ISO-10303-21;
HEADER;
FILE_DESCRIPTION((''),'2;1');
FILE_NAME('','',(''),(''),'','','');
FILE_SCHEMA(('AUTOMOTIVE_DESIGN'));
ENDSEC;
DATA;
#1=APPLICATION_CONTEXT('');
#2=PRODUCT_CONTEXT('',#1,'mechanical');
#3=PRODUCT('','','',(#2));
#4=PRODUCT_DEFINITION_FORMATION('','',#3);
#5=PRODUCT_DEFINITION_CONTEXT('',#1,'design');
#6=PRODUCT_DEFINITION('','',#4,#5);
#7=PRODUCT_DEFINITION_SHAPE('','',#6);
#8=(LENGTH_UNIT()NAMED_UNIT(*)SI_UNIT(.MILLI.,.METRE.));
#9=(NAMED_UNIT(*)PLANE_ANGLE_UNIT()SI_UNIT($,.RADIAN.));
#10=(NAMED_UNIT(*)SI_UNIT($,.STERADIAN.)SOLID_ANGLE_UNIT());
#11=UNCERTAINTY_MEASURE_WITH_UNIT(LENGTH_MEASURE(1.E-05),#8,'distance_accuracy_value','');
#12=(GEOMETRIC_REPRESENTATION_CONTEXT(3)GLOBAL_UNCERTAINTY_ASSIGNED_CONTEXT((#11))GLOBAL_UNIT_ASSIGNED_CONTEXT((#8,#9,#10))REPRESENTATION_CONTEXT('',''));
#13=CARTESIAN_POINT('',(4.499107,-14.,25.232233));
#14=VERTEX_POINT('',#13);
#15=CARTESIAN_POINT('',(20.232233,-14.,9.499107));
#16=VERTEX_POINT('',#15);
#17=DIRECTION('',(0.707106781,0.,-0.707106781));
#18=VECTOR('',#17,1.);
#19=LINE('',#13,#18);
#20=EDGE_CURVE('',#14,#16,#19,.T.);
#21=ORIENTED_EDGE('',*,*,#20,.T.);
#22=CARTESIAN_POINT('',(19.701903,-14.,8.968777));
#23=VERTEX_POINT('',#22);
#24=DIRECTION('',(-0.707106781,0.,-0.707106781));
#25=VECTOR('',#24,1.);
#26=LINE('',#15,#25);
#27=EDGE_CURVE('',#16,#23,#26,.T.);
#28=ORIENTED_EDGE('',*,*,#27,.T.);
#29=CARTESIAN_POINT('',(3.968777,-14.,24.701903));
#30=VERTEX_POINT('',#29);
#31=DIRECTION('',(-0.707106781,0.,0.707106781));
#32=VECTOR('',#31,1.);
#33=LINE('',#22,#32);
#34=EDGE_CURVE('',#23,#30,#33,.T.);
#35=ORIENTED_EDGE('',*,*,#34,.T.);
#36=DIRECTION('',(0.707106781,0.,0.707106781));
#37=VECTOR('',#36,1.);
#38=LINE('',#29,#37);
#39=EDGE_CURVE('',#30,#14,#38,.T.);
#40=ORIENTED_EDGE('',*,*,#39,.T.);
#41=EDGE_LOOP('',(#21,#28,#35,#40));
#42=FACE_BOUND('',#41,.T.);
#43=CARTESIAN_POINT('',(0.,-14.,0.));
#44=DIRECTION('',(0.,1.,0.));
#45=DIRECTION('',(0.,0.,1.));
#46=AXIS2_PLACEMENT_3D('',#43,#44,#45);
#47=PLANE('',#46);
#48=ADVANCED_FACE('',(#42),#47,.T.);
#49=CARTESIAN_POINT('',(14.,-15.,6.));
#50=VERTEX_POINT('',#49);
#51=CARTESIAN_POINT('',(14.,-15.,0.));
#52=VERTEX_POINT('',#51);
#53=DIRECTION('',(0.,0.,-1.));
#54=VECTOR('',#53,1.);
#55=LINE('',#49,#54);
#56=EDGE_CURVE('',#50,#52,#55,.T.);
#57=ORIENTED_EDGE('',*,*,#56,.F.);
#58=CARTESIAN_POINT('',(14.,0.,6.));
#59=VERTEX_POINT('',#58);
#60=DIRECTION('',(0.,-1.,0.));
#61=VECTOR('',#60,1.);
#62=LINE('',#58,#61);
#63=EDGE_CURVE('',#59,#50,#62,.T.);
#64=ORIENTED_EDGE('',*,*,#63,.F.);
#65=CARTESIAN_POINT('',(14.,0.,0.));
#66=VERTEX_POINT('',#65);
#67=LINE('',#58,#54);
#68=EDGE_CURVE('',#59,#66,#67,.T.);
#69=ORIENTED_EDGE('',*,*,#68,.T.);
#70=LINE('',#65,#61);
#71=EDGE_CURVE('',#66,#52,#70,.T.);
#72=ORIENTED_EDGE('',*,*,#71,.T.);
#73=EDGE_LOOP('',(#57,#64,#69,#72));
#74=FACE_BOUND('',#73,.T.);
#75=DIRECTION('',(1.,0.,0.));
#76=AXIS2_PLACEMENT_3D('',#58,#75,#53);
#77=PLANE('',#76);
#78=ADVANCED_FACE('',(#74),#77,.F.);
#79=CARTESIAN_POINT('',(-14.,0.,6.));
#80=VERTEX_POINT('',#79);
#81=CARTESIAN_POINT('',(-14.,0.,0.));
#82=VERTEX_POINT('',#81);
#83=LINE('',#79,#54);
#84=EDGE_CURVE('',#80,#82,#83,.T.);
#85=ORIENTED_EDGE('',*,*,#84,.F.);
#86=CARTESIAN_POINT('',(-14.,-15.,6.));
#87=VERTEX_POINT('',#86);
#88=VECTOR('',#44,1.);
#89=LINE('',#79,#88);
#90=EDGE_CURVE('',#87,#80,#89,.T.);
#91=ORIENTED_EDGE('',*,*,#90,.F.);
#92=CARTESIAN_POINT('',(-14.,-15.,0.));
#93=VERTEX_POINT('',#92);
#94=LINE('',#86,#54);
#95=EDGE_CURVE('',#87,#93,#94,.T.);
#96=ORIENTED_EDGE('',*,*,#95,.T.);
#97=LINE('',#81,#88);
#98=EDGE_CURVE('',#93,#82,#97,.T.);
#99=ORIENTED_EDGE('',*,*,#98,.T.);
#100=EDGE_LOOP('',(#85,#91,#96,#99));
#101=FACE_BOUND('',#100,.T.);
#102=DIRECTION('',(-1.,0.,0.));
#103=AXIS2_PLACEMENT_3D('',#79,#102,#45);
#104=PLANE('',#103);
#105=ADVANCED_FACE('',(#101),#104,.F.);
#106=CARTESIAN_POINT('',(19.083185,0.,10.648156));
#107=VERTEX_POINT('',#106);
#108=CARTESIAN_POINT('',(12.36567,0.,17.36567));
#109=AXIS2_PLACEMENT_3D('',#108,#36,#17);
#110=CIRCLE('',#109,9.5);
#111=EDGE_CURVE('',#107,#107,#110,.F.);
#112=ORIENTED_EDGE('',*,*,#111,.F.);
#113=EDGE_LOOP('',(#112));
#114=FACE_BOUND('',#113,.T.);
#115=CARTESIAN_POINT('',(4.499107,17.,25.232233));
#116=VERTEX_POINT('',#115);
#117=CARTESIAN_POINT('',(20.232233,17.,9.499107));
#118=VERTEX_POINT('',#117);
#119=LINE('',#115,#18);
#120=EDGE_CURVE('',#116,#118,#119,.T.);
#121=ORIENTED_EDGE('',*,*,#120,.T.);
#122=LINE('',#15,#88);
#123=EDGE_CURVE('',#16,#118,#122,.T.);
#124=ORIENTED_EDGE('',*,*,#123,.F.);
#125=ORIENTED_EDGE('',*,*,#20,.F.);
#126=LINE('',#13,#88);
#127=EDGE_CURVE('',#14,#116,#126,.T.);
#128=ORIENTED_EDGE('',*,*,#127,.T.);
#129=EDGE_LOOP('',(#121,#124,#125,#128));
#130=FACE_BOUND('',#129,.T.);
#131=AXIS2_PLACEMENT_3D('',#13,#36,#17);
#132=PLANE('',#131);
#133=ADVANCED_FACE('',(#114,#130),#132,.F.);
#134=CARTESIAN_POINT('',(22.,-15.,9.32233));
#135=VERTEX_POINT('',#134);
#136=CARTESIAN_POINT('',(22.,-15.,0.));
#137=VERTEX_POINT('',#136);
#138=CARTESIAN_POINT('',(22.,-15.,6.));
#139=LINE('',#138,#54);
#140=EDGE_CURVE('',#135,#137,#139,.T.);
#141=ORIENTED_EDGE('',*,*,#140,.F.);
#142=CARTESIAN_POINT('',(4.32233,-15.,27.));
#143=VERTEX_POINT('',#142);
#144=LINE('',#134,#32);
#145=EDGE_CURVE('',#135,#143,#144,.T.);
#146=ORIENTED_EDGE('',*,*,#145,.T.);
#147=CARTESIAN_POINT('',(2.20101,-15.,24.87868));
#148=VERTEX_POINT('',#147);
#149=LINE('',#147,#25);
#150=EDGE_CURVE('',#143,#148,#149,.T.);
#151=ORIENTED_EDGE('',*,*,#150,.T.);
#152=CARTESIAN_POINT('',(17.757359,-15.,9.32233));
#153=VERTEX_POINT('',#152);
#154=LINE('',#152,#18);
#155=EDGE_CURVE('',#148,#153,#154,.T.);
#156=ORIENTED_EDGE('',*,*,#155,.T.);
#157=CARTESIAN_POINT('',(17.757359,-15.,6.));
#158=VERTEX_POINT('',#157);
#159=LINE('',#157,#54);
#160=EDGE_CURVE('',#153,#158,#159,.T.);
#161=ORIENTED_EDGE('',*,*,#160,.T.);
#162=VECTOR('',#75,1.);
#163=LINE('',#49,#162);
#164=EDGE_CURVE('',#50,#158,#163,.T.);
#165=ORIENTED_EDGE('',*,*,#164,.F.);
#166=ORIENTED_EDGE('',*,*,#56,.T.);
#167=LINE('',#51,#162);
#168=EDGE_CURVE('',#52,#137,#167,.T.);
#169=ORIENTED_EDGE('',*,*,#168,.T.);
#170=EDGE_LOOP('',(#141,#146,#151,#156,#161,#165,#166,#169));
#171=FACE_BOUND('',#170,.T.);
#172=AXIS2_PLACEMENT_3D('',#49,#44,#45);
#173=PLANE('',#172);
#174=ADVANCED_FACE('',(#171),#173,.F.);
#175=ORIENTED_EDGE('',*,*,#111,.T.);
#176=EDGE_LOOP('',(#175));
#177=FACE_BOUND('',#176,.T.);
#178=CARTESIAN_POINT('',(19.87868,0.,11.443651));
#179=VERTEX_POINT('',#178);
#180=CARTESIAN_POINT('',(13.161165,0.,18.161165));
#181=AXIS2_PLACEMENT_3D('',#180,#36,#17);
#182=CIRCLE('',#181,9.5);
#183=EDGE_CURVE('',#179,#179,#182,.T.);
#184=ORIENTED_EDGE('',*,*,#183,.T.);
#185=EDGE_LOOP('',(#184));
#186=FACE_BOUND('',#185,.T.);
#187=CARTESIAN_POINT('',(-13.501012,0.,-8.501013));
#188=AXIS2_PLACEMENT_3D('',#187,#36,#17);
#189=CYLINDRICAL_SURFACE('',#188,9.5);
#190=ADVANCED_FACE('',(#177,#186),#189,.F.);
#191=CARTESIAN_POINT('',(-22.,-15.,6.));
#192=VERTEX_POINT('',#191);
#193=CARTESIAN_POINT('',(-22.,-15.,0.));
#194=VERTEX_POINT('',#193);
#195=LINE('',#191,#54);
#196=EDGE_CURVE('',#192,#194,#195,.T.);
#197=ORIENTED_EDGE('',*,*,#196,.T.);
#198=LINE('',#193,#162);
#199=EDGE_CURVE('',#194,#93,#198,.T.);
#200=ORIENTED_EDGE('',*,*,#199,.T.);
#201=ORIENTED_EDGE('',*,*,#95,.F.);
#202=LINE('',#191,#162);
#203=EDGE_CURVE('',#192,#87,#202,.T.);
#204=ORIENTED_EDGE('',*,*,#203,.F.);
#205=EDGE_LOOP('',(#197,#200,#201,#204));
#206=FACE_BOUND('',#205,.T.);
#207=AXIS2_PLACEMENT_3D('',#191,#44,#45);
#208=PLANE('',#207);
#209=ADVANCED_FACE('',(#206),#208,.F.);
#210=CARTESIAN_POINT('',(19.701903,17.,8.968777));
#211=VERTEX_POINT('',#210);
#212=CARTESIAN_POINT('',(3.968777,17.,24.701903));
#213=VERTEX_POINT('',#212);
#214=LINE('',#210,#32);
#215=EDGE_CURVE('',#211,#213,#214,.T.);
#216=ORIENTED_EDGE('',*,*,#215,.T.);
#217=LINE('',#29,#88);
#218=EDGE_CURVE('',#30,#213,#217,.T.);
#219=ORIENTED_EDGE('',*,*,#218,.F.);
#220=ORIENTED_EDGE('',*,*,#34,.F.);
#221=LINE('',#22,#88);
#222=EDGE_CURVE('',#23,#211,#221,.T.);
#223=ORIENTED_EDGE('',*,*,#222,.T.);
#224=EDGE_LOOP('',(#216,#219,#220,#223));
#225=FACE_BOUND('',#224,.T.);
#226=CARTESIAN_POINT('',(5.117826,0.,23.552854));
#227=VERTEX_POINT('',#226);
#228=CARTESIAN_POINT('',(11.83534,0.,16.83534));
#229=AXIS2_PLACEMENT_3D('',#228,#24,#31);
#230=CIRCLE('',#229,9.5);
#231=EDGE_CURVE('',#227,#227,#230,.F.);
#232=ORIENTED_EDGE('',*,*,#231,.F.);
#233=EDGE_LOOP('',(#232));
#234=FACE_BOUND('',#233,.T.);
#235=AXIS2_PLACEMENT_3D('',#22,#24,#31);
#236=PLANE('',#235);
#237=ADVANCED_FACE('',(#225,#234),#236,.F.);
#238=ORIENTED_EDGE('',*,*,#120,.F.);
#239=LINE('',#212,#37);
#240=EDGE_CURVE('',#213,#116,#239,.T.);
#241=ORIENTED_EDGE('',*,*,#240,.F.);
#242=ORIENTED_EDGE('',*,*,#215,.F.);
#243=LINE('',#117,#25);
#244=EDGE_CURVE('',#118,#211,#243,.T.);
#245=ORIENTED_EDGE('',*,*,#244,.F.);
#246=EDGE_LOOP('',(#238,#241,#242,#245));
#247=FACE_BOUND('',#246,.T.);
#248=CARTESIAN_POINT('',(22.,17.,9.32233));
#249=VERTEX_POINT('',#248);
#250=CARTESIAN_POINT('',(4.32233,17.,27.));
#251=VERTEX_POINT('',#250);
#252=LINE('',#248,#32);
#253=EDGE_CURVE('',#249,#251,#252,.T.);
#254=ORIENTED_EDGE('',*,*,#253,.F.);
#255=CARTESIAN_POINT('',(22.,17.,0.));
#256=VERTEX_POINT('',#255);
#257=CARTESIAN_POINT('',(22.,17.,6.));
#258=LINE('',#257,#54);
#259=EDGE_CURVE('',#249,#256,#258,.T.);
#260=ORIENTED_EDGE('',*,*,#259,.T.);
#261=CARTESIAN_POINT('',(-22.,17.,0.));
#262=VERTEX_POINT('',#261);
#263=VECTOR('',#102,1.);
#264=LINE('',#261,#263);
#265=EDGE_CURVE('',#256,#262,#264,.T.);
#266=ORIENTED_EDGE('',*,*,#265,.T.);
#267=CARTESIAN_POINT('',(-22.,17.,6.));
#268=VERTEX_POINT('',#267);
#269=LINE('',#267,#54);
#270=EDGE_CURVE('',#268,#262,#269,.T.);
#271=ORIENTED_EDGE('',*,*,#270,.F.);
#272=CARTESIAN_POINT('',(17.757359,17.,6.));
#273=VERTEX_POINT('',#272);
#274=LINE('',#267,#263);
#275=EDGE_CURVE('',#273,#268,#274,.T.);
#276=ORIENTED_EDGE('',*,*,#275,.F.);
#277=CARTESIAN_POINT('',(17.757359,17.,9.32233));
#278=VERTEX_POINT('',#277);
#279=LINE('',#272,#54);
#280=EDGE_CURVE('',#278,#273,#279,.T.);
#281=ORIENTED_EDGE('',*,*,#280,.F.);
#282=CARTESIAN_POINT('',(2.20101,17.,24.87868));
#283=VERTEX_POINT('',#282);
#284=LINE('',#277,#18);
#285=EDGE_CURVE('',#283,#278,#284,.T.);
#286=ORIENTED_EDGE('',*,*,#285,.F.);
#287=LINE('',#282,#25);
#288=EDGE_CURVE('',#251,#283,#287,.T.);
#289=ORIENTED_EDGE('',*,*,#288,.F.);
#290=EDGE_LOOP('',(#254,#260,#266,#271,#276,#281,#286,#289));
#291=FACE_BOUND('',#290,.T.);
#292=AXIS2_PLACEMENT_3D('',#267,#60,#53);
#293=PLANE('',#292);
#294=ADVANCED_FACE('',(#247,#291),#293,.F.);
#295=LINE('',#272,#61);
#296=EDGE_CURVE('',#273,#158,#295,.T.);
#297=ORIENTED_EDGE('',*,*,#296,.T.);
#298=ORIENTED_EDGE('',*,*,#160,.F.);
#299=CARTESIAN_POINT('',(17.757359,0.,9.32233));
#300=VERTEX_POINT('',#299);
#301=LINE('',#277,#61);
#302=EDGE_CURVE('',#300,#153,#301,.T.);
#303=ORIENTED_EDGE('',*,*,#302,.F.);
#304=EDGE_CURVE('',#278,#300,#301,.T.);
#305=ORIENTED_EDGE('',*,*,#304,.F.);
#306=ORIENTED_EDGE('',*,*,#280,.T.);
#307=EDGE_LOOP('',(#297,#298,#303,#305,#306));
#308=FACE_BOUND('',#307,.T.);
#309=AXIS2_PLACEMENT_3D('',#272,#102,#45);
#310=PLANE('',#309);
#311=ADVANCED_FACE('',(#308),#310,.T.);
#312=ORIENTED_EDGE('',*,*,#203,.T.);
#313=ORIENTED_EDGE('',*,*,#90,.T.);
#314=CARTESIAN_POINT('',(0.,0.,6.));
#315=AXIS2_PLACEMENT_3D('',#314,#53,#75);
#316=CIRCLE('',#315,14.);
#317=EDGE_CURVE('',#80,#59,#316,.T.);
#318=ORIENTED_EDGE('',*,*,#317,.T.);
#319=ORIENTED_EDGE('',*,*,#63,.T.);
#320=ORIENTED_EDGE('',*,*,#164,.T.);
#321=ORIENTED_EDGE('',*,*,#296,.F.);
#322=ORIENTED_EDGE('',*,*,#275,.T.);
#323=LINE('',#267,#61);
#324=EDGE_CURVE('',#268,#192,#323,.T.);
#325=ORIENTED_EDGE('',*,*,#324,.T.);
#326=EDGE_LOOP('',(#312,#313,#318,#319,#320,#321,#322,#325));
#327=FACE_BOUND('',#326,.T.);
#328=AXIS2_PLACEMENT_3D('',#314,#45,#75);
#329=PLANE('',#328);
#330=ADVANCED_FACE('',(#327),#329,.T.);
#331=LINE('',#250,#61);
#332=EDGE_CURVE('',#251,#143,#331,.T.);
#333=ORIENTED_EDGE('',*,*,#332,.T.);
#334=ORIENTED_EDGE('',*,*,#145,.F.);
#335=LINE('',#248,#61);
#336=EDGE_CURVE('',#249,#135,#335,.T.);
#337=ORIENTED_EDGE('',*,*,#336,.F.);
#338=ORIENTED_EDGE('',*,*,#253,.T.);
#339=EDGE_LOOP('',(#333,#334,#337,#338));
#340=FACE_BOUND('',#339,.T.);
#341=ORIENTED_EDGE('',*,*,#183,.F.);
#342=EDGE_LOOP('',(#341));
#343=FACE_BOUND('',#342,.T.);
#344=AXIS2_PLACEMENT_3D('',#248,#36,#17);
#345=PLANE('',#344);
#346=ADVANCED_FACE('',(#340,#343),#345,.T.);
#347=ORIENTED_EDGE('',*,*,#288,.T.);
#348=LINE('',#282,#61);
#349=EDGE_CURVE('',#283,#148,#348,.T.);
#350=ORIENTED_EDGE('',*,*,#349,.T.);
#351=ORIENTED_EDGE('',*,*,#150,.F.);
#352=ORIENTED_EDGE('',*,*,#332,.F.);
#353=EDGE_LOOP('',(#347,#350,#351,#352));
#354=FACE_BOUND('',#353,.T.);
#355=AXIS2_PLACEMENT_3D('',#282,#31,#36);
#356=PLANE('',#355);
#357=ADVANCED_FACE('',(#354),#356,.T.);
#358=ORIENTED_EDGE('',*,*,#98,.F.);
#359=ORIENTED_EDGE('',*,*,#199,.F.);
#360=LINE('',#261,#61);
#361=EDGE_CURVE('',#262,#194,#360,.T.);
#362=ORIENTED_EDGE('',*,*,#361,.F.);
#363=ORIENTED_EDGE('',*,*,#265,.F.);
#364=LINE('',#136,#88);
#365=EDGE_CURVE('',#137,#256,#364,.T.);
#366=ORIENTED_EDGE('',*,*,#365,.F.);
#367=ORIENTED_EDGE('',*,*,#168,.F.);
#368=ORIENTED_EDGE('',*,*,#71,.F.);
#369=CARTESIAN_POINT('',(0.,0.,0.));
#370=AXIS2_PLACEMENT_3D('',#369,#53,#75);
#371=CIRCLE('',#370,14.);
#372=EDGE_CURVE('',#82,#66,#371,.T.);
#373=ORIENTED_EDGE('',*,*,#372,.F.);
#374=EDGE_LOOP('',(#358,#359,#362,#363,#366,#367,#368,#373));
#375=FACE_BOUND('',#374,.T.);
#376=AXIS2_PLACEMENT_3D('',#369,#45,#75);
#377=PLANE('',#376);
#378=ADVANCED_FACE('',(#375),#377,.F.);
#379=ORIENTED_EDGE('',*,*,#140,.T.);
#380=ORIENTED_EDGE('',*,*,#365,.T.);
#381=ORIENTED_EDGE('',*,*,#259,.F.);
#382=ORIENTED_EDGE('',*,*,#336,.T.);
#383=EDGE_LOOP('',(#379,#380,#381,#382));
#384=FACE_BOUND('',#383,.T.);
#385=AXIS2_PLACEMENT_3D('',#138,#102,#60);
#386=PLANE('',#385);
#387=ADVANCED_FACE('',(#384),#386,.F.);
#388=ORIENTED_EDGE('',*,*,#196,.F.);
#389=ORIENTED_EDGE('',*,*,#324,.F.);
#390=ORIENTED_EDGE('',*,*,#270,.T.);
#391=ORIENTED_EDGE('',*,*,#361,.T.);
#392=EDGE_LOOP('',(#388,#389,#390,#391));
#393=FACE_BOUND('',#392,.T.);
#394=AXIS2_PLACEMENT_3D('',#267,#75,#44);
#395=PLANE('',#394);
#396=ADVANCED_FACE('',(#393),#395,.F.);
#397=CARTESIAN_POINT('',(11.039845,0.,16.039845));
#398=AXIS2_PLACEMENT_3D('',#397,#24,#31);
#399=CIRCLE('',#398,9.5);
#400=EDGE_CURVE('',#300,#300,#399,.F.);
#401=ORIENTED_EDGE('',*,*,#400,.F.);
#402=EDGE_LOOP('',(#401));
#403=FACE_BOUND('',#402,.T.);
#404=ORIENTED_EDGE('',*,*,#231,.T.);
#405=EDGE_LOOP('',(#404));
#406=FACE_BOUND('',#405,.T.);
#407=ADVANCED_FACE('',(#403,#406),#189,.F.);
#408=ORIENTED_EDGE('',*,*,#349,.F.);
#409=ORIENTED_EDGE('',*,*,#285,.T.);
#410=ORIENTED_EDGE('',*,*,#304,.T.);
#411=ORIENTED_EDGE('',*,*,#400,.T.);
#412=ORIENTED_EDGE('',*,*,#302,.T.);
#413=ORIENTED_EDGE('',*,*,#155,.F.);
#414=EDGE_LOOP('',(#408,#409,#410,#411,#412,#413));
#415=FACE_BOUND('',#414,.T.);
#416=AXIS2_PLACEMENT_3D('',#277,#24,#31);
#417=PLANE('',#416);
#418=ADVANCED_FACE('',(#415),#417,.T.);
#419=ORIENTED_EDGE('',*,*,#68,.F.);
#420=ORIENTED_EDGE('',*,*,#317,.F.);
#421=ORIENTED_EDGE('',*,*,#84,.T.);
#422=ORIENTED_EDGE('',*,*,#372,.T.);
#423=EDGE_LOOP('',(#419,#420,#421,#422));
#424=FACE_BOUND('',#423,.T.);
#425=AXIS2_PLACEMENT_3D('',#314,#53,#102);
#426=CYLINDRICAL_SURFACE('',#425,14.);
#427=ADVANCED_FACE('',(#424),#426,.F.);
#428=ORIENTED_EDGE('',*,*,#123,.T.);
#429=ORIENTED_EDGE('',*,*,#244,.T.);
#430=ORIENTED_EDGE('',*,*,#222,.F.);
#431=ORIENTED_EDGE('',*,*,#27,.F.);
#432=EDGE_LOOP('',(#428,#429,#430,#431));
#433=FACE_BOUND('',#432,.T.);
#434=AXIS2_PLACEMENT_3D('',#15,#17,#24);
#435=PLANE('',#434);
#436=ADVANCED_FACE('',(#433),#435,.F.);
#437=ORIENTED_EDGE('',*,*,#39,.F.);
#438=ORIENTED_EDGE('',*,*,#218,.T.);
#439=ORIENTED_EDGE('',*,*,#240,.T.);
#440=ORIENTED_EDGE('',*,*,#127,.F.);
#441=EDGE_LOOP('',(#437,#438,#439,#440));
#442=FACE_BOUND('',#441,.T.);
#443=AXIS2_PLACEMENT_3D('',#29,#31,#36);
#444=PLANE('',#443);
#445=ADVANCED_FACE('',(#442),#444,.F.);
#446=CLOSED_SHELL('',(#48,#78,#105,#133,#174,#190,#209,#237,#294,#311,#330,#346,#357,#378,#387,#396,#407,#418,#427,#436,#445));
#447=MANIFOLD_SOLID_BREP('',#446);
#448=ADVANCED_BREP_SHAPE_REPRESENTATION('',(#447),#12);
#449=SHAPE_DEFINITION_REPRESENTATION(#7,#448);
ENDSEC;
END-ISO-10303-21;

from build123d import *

# Parameters (mm, degrees)
SALIENTE_EXTRUIR1_DEPTH = 6
SALIENTE_EXTRUIR2_DEPTH = 32
CORTAR_EXTRUIR1_REACH   = 39.705
CROQUIS3_R              = 9.5
CORTAR_EXTRUIR2_DEPTH   = 31


with BuildPart() as part:
    # Croquis1 → Saliente-Extruir1 (new body)
    with BuildSketch(Plane.XY):
        with BuildLine():
            Line((-22, 17), (-22, -15))
            Line((-22, -15), (-14, -15))
            Line((-14, -15), (-14, 0))
            ThreePointArc((-14, 0), (0, 14), (14, 0))
            Line((14, 0), (14, -15))
            Line((14, -15), (22, -15))
            Line((22, -15), (22, 17))
            Line((22, 17), (-22, 17))
        make_face()
    extrude(amount=SALIENTE_EXTRUIR1_DEPTH)

    # Croquis2 → Saliente-Extruir2 (add)
    with BuildSketch(Plane.XZ.offset(15)):
        Polygon((22, 6), (22, 9.32233047), (4.32233047, 27), (2.201010127, 24.878679656), (17.757359313, 9.32233047), (17.757359313, 6), align=None)
    extrude(amount=-SALIENTE_EXTRUIR2_DEPTH)

    # Croquis3 → Cortar-Extruir1 (cut, up to next)
    with BuildSketch(Plane(origin=(15.661165235, 0, 15.661165235), x_dir=(0.707106781, 0, -0.707106781), z_dir=(0.707106781, 0, 0.707106781)), mode=Mode.PRIVATE) as cortar_extruir1_sk1:
        with Locations((-3.535533906, 0)):
            Circle(CROQUIS3_R)
    cortar_extruir1_tool1 = extrude(cortar_extruir1_sk1.sketch, amount=-CORTAR_EXTRUIR1_REACH, mode=Mode.PRIVATE) & part.part
    add(cortar_extruir1_tool1.solids().sort_by_distance((13.161165, 0, 18.161165))[0], mode=Mode.SUBTRACT)

    # Croquis5 → Cortar-Extruir2 (cut)
    with BuildSketch(Plane(origin=(0, 17, 0), x_dir=(1, 0, 0), z_dir=(0, 1, 0))):
        Polygon((4.499107166, -25.232233047), (20.232233047, -9.499107166), (19.701902961, -8.96877708), (3.96877708, -24.701902961), align=None)
    extrude(amount=-CORTAR_EXTRUIR2_DEPTH, mode=Mode.SUBTRACT)


solid = part.part
